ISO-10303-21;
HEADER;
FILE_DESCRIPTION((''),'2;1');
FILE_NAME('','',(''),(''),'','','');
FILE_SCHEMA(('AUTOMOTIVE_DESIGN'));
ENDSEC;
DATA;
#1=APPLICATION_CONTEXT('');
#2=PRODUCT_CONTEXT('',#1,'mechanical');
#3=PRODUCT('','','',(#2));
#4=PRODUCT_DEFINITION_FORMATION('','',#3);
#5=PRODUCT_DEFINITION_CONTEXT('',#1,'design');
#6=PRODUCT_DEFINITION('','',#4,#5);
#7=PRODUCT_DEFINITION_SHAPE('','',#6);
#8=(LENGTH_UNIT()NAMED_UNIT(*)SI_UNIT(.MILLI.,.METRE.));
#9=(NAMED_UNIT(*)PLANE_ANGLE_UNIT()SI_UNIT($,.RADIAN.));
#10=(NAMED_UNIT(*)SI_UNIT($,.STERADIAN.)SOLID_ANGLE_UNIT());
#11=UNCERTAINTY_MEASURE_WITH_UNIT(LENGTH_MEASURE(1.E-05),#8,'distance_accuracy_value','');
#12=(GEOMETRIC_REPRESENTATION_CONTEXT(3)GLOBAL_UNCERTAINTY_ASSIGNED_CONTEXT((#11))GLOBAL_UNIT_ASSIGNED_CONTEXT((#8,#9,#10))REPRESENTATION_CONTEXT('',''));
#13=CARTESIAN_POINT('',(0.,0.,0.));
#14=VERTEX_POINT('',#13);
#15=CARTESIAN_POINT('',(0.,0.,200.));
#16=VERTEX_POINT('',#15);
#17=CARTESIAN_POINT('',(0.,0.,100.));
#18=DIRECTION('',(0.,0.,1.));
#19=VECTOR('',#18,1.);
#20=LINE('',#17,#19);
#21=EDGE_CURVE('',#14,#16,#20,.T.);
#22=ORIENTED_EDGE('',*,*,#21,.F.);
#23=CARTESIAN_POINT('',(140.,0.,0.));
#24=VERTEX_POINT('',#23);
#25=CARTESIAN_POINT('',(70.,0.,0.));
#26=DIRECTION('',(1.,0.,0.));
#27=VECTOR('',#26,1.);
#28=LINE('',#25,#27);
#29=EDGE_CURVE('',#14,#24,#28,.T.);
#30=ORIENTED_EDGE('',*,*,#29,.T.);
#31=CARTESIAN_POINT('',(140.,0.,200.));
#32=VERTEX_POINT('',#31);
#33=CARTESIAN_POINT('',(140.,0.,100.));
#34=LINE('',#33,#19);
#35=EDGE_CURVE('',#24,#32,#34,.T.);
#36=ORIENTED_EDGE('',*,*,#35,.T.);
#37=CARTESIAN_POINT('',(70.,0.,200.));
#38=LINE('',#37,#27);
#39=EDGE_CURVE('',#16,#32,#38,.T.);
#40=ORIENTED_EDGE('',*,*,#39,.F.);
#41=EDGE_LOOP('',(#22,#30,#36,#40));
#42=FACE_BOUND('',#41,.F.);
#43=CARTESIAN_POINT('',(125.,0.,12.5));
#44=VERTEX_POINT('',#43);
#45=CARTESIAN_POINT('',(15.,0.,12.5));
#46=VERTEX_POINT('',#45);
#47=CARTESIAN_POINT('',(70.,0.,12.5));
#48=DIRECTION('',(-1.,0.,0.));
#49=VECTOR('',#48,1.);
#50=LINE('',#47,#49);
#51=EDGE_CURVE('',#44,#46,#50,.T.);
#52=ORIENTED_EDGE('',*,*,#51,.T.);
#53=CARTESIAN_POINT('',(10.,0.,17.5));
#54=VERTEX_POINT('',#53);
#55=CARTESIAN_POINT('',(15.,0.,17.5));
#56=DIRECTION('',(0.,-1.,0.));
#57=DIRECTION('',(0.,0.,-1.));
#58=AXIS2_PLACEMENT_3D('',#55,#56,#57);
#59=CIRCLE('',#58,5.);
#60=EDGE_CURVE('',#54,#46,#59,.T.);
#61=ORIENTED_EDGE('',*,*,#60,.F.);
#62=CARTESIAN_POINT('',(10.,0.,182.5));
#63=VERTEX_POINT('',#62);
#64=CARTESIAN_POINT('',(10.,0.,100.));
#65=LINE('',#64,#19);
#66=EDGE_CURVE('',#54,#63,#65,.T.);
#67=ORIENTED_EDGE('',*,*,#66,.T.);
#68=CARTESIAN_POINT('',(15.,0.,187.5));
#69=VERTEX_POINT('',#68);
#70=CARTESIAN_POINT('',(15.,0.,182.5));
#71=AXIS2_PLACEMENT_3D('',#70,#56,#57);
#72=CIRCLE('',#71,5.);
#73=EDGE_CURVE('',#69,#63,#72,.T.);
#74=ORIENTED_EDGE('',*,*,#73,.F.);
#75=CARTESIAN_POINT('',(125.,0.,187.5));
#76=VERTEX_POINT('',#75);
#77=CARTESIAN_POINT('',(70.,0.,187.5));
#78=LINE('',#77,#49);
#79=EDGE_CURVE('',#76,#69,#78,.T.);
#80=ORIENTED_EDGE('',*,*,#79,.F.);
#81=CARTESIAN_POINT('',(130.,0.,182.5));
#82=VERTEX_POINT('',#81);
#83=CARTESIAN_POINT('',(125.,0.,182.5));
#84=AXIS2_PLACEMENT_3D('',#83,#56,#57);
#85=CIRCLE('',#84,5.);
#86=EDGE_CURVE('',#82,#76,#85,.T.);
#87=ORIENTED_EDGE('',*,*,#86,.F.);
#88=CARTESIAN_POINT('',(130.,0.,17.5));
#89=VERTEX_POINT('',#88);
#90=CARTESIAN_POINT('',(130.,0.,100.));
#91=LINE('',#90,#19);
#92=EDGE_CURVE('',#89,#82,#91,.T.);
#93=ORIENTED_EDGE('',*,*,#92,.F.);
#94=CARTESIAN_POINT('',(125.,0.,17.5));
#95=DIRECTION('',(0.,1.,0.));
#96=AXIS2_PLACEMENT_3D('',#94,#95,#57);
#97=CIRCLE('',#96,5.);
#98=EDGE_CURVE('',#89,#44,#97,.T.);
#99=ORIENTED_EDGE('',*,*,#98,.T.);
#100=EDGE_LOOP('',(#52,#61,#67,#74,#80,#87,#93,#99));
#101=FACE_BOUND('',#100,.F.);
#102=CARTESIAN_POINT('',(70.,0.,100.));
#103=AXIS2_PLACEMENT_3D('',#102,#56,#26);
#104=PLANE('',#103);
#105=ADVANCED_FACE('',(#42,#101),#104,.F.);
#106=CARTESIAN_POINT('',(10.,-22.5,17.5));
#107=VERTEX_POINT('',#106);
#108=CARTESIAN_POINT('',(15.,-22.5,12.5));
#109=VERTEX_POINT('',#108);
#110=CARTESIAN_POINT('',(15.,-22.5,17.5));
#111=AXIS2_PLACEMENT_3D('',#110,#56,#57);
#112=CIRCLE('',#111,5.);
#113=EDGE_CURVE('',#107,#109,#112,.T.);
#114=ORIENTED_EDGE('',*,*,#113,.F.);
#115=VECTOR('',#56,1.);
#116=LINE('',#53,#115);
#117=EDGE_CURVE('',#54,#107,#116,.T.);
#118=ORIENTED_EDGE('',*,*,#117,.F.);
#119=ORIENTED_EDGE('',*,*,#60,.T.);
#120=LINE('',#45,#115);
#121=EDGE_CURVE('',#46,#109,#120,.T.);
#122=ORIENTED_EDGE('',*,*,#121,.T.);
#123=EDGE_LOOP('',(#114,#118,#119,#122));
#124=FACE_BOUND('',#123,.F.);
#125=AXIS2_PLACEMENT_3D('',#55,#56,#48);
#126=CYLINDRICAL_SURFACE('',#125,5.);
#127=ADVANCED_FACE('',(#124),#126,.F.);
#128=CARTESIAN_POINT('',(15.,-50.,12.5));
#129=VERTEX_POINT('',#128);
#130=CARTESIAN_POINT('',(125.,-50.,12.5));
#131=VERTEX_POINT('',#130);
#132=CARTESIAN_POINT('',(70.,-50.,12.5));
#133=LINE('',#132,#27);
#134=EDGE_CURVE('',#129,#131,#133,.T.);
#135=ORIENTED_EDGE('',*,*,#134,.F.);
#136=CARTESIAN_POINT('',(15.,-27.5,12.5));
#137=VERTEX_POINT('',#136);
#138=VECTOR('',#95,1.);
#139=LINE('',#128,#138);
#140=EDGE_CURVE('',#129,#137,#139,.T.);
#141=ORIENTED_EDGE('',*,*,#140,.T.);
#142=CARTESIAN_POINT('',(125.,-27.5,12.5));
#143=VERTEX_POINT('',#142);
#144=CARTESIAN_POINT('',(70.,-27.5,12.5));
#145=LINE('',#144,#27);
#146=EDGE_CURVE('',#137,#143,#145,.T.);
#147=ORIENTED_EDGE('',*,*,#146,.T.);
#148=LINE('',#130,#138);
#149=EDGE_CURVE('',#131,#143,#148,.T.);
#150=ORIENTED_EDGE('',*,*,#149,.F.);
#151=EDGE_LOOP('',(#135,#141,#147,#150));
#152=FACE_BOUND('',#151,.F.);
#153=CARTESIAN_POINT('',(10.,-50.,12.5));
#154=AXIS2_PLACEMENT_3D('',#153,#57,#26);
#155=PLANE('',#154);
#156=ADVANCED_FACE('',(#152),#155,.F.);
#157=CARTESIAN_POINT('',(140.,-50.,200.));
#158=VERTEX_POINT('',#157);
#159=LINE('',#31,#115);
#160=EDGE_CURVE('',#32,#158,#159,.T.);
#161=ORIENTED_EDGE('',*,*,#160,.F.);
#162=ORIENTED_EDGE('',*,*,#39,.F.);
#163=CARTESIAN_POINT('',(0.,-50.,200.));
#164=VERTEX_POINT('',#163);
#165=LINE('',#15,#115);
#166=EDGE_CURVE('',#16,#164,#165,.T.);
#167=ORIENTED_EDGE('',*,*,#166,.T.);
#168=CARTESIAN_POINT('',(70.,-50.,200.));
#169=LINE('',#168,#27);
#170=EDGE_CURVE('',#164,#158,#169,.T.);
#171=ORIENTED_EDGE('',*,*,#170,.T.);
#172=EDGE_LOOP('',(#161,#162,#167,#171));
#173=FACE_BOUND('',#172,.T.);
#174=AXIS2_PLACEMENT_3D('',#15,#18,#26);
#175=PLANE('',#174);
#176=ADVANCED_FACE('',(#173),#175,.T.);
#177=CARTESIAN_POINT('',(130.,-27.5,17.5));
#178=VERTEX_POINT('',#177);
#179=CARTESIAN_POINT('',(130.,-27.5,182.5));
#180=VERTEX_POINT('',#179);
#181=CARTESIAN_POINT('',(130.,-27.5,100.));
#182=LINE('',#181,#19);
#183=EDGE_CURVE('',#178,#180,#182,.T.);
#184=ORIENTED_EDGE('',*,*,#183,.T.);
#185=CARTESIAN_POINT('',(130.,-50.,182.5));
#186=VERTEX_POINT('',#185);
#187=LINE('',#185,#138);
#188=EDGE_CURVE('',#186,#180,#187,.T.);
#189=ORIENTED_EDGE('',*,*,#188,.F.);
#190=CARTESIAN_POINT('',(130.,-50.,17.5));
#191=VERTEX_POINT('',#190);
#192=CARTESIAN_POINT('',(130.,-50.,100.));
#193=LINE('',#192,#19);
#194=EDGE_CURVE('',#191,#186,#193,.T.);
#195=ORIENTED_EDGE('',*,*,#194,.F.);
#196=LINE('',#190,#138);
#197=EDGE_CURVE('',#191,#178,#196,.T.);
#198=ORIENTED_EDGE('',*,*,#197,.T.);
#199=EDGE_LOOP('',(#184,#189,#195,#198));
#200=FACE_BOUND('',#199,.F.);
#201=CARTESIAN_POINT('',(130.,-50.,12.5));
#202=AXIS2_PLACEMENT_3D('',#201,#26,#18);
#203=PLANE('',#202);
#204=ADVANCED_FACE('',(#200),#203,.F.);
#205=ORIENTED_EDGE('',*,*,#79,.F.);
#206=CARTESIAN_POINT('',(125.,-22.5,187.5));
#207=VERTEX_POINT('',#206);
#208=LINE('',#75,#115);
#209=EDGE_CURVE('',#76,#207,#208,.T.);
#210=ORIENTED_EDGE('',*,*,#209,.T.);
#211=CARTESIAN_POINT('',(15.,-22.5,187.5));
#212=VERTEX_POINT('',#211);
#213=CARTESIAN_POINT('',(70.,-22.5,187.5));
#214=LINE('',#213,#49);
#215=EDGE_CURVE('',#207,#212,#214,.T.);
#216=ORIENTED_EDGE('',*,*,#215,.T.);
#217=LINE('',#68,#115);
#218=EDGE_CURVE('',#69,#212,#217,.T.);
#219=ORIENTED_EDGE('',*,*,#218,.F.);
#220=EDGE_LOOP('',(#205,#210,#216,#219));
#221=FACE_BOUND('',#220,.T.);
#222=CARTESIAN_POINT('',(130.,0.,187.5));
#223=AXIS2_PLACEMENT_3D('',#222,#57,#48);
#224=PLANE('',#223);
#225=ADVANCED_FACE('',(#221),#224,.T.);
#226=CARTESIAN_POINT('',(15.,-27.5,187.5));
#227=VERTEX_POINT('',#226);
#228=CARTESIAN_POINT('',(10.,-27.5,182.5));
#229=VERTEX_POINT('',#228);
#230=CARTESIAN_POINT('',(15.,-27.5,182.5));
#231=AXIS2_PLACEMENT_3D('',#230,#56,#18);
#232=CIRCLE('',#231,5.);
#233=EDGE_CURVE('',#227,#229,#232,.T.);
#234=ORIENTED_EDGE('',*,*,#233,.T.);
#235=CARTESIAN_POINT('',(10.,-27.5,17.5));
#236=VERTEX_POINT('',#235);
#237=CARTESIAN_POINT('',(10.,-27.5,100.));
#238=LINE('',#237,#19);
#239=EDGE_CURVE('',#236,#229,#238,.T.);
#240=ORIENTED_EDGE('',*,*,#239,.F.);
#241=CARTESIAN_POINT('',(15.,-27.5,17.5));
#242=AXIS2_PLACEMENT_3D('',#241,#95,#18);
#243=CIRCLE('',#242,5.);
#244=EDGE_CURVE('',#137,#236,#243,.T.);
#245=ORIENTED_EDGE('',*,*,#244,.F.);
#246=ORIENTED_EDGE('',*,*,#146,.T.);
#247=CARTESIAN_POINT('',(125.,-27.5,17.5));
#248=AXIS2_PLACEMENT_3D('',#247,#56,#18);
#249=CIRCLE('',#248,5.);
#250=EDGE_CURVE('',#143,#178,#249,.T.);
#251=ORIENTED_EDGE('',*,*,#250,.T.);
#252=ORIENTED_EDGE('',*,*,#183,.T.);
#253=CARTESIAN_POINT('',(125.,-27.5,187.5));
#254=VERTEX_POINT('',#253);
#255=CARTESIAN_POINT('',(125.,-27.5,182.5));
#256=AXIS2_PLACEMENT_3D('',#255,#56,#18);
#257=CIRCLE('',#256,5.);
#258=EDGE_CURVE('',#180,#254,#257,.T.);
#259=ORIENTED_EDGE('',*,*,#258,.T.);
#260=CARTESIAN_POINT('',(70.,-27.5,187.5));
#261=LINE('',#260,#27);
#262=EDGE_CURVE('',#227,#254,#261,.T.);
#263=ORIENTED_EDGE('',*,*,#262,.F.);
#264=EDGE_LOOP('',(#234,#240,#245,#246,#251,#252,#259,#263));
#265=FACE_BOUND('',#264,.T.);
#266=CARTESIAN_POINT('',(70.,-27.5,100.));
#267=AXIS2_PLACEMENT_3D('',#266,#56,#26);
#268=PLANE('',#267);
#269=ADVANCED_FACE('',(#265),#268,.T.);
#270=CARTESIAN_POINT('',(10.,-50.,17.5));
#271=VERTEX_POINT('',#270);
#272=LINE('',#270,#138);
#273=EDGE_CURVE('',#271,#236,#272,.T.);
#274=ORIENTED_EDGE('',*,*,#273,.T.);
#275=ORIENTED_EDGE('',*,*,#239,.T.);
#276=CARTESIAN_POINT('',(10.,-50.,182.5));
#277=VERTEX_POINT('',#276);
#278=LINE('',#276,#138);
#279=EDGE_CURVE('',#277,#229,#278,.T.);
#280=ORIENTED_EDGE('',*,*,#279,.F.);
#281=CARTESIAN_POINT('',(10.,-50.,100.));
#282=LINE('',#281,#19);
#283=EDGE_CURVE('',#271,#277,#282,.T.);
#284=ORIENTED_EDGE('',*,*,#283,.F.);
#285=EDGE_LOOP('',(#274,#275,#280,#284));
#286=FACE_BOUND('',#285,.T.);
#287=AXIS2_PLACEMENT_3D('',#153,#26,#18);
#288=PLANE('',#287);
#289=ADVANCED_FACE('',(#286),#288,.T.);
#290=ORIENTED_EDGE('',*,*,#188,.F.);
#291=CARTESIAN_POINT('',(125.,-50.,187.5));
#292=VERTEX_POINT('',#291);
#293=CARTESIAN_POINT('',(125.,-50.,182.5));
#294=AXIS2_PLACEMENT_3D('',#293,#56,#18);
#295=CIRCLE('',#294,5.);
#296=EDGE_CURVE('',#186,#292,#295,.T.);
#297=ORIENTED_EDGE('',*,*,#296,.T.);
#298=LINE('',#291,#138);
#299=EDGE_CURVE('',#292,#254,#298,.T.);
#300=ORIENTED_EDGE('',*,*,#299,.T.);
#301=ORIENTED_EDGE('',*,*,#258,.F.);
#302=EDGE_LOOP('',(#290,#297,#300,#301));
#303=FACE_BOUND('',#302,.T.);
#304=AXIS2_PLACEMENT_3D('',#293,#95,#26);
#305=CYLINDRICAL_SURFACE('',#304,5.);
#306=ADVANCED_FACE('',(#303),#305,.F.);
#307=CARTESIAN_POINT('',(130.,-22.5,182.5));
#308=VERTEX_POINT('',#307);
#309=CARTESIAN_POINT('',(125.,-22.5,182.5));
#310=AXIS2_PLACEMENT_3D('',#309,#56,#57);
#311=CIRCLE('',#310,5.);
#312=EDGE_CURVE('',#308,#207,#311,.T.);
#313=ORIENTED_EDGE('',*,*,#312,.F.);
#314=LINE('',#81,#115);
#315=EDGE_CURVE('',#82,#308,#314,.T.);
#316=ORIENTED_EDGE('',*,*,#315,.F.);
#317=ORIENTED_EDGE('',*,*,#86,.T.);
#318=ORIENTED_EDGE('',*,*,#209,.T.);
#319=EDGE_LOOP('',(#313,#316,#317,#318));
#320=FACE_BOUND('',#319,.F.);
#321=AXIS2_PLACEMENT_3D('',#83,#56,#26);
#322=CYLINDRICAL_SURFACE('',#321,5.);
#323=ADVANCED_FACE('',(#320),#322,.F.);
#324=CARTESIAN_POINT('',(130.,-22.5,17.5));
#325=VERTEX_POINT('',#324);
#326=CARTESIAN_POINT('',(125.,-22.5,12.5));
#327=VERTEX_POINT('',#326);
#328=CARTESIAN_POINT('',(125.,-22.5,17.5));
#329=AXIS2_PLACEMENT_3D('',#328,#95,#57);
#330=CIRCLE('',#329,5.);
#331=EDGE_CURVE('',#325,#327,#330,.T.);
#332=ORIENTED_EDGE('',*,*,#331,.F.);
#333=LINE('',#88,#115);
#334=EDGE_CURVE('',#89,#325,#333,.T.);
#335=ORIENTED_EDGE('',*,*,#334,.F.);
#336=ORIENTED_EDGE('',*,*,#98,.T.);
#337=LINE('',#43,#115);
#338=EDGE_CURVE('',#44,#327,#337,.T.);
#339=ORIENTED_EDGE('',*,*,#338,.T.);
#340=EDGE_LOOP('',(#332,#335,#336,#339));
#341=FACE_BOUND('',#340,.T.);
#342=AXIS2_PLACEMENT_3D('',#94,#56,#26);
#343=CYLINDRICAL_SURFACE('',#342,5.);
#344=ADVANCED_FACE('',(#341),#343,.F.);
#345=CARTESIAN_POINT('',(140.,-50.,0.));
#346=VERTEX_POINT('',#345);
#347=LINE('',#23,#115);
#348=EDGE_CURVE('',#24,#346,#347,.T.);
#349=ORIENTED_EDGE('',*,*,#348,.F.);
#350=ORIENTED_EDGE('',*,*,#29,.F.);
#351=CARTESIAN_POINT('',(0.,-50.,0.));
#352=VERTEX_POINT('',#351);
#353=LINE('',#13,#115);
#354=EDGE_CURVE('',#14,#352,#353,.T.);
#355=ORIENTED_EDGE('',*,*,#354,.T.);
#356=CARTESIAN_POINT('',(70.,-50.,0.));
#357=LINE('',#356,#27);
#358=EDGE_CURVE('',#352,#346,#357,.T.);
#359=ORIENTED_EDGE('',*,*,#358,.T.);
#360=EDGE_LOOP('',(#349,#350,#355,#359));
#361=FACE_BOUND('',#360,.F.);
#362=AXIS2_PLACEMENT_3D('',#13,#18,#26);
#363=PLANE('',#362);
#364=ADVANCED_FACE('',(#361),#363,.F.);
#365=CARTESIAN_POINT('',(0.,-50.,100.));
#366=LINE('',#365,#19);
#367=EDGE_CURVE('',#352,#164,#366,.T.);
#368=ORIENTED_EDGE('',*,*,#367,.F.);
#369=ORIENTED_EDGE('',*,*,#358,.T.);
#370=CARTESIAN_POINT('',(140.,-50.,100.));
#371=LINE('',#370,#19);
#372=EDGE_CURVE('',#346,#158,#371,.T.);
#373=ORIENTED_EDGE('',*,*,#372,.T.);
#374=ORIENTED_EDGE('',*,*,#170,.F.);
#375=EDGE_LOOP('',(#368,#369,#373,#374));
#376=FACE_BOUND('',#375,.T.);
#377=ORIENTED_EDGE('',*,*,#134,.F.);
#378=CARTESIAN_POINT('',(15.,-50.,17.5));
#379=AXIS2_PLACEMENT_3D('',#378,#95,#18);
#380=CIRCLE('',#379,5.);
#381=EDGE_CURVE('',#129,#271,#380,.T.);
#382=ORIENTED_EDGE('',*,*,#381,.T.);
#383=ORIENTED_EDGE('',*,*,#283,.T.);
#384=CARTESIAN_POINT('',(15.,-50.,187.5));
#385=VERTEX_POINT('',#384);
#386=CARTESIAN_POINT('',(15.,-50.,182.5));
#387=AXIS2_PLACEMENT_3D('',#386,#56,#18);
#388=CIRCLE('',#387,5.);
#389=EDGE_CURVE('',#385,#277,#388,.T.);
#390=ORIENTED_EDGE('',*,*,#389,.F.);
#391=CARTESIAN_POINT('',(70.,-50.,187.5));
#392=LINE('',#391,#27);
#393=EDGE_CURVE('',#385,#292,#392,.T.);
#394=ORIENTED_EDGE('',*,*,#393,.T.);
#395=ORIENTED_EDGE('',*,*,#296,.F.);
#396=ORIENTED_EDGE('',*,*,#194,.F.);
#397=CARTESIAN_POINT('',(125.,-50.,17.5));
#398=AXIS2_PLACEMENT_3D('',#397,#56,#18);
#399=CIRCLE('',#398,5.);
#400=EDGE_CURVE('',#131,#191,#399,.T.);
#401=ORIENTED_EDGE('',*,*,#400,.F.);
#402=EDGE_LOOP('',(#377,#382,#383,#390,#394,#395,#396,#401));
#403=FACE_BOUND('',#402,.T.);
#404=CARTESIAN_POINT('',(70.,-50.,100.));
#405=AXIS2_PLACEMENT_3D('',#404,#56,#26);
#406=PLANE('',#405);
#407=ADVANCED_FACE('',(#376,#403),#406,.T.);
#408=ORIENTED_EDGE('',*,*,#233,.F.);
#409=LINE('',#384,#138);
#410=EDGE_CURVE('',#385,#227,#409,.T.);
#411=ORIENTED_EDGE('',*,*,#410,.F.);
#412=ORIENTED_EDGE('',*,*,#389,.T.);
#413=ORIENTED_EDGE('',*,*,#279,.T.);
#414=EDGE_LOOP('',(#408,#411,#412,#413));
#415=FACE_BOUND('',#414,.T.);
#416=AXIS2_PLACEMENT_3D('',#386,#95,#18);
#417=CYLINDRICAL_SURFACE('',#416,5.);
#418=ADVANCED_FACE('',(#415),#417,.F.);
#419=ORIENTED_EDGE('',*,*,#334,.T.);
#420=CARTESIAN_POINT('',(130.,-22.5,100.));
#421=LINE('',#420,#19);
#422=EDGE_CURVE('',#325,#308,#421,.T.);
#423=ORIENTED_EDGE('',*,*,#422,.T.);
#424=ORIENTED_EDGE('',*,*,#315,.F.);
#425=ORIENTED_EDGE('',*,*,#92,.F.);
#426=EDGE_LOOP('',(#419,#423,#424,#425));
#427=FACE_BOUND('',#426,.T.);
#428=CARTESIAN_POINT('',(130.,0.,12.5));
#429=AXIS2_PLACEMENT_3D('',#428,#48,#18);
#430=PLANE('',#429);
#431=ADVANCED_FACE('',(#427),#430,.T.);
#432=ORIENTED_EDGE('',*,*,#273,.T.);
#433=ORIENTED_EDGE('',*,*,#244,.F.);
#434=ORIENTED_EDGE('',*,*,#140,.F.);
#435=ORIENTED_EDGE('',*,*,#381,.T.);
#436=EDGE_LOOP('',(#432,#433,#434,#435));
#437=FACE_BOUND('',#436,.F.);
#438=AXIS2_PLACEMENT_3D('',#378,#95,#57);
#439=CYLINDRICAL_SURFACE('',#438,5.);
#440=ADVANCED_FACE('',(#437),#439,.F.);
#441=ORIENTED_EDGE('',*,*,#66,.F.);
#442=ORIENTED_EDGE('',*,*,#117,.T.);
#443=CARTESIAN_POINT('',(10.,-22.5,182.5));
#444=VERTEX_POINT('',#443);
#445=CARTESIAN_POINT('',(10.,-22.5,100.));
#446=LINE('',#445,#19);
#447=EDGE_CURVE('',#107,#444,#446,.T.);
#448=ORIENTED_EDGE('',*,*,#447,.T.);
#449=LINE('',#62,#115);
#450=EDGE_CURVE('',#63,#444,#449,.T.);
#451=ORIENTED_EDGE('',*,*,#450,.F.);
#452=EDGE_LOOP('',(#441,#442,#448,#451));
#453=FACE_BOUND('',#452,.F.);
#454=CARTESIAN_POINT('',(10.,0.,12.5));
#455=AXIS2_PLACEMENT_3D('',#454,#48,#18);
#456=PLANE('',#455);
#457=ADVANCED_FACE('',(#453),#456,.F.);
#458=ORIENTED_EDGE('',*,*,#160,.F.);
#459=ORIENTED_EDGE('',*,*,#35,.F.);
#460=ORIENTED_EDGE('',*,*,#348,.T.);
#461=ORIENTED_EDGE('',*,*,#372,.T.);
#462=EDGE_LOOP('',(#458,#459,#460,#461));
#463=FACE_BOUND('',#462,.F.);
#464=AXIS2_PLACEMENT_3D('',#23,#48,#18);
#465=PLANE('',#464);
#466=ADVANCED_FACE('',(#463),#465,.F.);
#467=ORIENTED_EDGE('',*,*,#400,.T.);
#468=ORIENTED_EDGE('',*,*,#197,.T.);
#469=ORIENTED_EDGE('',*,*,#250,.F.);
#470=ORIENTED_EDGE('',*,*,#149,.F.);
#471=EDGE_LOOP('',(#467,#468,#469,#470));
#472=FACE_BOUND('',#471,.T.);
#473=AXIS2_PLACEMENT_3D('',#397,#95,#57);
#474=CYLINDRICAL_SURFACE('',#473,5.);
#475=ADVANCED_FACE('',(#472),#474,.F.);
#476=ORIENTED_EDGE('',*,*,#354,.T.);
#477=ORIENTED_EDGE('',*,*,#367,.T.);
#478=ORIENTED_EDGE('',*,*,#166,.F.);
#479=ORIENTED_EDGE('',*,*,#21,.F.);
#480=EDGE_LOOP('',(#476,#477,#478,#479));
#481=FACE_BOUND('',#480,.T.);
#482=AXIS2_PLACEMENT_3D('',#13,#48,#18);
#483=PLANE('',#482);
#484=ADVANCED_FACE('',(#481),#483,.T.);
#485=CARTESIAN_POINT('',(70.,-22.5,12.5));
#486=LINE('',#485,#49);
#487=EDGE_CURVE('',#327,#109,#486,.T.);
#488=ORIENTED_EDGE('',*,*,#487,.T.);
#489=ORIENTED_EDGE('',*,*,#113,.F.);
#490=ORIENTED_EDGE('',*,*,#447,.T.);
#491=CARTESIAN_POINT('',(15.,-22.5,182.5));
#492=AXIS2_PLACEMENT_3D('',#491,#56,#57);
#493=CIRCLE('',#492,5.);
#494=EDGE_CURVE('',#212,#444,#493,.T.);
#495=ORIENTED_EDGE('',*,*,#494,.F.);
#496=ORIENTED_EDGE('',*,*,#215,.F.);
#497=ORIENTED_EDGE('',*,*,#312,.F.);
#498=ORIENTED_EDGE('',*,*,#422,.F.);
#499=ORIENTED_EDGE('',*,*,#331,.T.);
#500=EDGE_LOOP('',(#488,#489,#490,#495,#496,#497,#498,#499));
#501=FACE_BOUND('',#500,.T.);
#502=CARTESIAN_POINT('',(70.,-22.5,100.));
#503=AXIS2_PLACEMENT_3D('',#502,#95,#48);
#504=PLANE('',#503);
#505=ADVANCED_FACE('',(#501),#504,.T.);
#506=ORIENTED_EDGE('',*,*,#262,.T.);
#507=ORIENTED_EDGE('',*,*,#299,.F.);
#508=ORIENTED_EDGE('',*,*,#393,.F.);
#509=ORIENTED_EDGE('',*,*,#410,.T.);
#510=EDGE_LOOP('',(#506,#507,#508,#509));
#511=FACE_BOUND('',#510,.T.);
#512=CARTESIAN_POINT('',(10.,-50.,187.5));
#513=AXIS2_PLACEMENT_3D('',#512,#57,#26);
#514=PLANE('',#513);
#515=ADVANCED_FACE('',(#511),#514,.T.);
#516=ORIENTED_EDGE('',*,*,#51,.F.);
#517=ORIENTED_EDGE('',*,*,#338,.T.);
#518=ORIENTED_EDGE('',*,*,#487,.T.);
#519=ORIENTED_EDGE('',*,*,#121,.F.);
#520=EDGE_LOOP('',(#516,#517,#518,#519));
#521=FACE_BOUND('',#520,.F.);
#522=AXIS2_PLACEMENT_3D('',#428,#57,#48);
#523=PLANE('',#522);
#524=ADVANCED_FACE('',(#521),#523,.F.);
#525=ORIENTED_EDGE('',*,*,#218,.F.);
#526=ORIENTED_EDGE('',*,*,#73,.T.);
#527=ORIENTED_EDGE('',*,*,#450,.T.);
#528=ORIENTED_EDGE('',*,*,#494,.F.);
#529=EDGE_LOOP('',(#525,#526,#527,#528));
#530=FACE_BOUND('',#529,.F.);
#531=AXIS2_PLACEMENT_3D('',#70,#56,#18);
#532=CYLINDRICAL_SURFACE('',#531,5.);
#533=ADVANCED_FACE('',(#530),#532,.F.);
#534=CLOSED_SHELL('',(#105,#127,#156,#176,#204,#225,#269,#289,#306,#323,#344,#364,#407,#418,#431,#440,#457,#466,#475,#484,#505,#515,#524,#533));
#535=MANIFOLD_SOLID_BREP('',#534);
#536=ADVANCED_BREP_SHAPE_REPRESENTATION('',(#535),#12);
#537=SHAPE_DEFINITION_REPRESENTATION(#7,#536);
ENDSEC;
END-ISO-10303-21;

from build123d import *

# Parameters (mm, degrees)
F0_W     = 140
F0_H     = 200
F1_DEPTH = 50
F2_W     = 120
F2_H     = 175
F3_DEPTH = 22.5
F4_W     = 120
F4_H     = 175
F5_DEPTH = 22.5
F6_R     = 5


with BuildPart() as f1:
    # F0 (on Front) → F1 (new body)
    with BuildSketch(Plane.XZ):
        with Locations((70, 100)):
            Rectangle(F0_W, F0_H)
    extrude(amount=F1_DEPTH)

    # F2 (on face) → F3 (cut)
    with BuildSketch(Plane.XZ.offset(50)):
        with Locations((70, 100)):
            Rectangle(F2_W, F2_H)
    extrude(amount=-F3_DEPTH, mode=Mode.SUBTRACT)

    # F4 (on face) → F5 (cut)
    with BuildSketch(Plane(origin=(0, 0, 0), x_dir=(-1, 0, 0), z_dir=(0, 1, 0))):
        with Locations((-70, 100)):
            Rectangle(F4_W, F4_H)
    extrude(amount=-F5_DEPTH, mode=Mode.SUBTRACT)

    # F6
    f6_edges = [f1.edges().sort_by_distance(p)[0] for p in [
        (130, -38.75, 187.5),
        (10, -38.75, 187.5),
        (10, -38.75, 12.5),
        (130, -38.75, 12.5),
        (130, -11.25, 187.5),
        (10, -11.25, 187.5),
        (10, -11.25, 12.5),
        (130, -11.25, 12.5),
    ]]
    fillet(f6_edges, radius=F6_R)


solid = f1.part
